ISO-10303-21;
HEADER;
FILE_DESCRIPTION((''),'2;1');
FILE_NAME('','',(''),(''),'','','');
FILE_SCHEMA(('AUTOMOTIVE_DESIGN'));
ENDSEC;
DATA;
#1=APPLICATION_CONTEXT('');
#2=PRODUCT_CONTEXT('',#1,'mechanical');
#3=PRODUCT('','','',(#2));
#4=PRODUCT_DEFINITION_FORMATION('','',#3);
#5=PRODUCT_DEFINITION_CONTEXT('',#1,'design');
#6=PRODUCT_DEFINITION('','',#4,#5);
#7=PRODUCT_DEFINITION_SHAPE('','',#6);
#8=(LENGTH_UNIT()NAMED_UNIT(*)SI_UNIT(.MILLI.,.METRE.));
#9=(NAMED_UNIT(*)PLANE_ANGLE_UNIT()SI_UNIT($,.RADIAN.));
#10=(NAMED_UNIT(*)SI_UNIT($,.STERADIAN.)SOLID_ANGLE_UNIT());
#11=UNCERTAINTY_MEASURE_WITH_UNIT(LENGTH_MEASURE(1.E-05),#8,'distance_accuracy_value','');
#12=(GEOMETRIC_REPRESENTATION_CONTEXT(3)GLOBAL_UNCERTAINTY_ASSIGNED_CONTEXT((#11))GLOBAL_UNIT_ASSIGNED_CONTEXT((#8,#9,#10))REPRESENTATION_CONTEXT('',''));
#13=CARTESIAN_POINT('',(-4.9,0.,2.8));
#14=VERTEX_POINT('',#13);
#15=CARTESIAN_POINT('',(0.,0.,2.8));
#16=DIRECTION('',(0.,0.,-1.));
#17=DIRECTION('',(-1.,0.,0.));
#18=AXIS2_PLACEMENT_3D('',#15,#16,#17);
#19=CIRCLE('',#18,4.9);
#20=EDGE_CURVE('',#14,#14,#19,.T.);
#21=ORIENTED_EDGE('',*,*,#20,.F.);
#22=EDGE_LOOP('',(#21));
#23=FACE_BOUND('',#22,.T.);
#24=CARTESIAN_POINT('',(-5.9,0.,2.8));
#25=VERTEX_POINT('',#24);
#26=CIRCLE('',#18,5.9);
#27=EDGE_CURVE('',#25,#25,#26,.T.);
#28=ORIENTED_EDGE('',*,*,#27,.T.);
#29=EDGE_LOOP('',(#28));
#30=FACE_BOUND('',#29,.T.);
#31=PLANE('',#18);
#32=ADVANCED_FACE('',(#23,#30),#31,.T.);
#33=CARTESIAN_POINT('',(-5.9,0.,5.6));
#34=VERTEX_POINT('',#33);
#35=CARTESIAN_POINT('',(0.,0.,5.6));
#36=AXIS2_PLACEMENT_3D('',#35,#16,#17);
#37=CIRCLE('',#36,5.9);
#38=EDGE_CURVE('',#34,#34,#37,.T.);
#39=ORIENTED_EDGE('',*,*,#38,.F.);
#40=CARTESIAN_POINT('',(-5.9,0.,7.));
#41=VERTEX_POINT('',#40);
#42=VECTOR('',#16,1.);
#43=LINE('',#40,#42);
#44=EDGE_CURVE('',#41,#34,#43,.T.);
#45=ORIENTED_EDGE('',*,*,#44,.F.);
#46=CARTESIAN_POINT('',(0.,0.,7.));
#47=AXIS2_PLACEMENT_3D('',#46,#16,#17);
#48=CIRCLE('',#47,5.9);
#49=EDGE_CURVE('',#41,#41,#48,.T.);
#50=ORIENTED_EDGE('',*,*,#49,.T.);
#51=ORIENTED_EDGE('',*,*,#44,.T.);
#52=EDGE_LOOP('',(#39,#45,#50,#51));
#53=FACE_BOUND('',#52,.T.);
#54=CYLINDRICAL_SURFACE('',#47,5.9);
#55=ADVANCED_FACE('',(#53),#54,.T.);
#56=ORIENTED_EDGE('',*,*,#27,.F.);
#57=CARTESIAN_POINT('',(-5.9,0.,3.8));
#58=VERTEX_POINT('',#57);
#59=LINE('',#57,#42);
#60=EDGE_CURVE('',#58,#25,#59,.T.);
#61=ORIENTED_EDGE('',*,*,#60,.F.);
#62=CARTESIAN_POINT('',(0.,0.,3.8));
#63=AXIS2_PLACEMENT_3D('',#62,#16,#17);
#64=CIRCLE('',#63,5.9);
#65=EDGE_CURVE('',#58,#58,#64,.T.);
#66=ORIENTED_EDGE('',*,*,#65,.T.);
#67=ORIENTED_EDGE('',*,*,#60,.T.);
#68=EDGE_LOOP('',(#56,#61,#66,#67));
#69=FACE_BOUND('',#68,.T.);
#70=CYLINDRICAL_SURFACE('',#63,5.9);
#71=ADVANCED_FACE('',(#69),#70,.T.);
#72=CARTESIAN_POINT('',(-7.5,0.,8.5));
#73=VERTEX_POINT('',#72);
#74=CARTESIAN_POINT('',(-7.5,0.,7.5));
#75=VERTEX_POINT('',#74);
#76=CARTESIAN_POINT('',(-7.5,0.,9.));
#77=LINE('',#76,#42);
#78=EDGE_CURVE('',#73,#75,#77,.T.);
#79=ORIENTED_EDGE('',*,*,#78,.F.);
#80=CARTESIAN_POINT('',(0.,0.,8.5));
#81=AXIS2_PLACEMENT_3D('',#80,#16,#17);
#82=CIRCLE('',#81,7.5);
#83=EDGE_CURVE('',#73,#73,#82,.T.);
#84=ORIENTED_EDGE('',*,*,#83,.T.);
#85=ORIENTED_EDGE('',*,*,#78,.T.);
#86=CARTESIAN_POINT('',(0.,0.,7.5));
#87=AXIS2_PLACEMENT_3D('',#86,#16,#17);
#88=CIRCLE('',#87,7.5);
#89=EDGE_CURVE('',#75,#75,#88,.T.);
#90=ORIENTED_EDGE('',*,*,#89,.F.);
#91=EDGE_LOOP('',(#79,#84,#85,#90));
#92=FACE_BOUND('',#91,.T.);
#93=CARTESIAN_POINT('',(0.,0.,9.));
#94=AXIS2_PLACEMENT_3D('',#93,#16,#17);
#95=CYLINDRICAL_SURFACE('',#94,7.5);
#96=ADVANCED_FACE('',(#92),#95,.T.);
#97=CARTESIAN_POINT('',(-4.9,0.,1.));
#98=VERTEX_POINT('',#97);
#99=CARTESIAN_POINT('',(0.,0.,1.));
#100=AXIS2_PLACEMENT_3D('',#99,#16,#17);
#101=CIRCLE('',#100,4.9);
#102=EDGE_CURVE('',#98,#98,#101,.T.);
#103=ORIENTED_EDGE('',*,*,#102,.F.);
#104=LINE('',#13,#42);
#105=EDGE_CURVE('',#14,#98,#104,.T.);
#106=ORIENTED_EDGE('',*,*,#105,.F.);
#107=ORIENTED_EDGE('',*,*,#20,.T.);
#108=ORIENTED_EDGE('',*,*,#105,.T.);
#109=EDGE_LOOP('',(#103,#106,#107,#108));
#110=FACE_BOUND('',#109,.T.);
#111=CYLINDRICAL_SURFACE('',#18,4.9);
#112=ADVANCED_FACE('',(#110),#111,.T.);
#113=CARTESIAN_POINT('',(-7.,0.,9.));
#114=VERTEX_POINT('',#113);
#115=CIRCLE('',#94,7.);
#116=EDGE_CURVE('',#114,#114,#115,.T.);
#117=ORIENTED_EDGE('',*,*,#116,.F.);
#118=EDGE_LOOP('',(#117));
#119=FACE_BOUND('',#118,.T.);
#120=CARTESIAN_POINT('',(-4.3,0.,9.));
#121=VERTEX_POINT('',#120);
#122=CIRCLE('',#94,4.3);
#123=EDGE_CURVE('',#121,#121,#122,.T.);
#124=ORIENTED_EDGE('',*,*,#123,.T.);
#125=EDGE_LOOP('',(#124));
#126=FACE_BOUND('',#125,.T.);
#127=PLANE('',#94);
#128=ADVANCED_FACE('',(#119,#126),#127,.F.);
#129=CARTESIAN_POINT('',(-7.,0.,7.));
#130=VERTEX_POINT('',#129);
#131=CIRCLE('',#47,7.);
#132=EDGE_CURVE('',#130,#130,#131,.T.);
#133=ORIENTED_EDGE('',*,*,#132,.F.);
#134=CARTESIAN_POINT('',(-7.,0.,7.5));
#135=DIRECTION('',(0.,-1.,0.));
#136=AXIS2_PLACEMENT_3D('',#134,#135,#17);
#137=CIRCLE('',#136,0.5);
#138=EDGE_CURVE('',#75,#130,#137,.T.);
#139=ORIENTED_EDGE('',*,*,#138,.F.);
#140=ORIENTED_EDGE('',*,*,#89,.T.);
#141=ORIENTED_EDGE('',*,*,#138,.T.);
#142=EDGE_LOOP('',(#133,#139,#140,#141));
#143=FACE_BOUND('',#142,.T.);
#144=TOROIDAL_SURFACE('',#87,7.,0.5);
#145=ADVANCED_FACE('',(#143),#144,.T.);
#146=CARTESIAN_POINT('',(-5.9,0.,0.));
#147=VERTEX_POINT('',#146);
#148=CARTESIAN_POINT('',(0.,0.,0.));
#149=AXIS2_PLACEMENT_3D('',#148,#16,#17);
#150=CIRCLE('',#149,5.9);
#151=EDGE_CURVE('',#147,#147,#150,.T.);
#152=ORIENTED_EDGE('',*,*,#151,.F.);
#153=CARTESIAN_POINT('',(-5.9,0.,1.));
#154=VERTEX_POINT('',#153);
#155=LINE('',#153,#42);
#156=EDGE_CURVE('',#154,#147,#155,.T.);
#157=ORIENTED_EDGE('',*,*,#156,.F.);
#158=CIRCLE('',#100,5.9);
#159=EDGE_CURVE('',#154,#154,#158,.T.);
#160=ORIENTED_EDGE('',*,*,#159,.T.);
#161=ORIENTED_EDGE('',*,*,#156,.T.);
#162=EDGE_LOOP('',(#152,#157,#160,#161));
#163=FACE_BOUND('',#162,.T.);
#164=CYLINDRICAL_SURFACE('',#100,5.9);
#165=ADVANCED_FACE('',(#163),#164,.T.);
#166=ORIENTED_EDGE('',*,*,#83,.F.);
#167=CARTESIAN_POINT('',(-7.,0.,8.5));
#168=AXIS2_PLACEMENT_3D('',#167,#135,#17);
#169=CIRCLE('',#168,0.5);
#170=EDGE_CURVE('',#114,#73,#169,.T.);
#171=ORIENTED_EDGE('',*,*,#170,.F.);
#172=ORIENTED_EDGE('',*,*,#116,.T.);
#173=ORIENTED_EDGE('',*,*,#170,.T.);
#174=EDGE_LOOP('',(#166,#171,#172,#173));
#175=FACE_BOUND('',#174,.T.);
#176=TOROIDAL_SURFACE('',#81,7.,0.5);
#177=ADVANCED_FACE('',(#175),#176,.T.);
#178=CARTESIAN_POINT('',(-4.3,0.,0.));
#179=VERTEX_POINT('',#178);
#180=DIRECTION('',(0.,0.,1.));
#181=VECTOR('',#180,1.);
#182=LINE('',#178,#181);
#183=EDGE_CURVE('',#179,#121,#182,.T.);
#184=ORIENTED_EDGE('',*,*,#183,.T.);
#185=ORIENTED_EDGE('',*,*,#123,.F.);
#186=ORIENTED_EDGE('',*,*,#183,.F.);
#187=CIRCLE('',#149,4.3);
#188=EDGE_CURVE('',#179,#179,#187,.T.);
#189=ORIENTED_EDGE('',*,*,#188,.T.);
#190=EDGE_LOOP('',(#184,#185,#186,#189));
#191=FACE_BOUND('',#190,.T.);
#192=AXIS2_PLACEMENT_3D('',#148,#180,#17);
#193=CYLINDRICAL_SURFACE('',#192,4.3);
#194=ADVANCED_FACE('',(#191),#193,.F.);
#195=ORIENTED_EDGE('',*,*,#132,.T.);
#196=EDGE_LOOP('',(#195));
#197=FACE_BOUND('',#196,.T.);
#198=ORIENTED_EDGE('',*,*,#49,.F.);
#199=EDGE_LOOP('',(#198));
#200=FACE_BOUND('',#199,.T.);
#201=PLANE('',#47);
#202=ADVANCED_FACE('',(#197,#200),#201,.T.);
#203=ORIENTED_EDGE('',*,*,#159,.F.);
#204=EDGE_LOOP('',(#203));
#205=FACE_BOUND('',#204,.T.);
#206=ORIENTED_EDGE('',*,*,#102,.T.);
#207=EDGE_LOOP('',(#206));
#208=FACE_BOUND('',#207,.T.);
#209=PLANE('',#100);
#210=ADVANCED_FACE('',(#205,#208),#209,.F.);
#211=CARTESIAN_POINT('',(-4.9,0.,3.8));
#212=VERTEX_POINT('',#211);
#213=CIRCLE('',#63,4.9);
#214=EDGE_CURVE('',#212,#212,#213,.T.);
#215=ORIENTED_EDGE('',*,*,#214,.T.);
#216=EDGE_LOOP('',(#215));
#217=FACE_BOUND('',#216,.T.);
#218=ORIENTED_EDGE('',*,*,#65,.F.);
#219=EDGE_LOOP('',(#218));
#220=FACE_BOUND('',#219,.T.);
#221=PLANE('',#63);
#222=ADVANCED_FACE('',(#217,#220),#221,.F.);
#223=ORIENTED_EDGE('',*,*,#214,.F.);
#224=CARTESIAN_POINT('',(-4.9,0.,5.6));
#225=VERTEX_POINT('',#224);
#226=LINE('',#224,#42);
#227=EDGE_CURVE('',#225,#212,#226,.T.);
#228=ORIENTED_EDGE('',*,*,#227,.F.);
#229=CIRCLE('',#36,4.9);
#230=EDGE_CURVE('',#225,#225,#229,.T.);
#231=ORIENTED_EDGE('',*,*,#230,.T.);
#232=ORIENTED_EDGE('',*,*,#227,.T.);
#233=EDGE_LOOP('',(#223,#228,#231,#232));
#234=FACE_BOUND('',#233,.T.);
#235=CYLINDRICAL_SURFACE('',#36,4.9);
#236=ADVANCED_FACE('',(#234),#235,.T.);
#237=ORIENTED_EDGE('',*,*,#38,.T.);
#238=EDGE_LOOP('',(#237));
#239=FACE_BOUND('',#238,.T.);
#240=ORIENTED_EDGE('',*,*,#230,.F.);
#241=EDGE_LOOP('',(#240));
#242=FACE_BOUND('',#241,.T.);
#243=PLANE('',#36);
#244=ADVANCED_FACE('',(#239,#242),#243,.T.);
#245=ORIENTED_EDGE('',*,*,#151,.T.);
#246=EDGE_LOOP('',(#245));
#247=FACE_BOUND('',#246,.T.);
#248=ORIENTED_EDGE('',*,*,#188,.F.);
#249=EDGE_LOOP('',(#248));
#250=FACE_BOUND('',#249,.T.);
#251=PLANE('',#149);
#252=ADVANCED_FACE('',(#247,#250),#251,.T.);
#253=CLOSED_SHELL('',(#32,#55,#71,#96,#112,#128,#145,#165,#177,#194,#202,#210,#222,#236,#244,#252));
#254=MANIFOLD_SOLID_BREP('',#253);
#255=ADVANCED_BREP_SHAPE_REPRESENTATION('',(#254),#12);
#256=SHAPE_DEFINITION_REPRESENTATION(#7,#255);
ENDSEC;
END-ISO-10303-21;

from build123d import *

# Parameters (mm, degrees)
F2_R = 0.5


with BuildPart() as f1:
    # F0 (on Front) → F1 (revolve)
    with BuildSketch(Plane.XZ):
        Polygon((-4.3, 0), (-4.3, 9), (-7.5, 9), (-7.5, 7), (-5.9, 7), (-5.9, 5.6), (-4.9, 5.6), (-4.9, 3.8), (-5.9, 3.8), (-5.9, 2.8), (-4.9, 2.8), (-4.9, 1), (-5.9, 1), (-5.9, 0), align=None)
    revolve(axis=Axis((0, 0, 0.482091), (0, 0, -1)))

    # F2
    f2_edges = [f1.edges().sort_by_distance(p)[0] for p in [
        (7.5, 0, 9),
        (7.5, 0, 7),
    ]]
    fillet(f2_edges, radius=F2_R)


solid = f1.part
